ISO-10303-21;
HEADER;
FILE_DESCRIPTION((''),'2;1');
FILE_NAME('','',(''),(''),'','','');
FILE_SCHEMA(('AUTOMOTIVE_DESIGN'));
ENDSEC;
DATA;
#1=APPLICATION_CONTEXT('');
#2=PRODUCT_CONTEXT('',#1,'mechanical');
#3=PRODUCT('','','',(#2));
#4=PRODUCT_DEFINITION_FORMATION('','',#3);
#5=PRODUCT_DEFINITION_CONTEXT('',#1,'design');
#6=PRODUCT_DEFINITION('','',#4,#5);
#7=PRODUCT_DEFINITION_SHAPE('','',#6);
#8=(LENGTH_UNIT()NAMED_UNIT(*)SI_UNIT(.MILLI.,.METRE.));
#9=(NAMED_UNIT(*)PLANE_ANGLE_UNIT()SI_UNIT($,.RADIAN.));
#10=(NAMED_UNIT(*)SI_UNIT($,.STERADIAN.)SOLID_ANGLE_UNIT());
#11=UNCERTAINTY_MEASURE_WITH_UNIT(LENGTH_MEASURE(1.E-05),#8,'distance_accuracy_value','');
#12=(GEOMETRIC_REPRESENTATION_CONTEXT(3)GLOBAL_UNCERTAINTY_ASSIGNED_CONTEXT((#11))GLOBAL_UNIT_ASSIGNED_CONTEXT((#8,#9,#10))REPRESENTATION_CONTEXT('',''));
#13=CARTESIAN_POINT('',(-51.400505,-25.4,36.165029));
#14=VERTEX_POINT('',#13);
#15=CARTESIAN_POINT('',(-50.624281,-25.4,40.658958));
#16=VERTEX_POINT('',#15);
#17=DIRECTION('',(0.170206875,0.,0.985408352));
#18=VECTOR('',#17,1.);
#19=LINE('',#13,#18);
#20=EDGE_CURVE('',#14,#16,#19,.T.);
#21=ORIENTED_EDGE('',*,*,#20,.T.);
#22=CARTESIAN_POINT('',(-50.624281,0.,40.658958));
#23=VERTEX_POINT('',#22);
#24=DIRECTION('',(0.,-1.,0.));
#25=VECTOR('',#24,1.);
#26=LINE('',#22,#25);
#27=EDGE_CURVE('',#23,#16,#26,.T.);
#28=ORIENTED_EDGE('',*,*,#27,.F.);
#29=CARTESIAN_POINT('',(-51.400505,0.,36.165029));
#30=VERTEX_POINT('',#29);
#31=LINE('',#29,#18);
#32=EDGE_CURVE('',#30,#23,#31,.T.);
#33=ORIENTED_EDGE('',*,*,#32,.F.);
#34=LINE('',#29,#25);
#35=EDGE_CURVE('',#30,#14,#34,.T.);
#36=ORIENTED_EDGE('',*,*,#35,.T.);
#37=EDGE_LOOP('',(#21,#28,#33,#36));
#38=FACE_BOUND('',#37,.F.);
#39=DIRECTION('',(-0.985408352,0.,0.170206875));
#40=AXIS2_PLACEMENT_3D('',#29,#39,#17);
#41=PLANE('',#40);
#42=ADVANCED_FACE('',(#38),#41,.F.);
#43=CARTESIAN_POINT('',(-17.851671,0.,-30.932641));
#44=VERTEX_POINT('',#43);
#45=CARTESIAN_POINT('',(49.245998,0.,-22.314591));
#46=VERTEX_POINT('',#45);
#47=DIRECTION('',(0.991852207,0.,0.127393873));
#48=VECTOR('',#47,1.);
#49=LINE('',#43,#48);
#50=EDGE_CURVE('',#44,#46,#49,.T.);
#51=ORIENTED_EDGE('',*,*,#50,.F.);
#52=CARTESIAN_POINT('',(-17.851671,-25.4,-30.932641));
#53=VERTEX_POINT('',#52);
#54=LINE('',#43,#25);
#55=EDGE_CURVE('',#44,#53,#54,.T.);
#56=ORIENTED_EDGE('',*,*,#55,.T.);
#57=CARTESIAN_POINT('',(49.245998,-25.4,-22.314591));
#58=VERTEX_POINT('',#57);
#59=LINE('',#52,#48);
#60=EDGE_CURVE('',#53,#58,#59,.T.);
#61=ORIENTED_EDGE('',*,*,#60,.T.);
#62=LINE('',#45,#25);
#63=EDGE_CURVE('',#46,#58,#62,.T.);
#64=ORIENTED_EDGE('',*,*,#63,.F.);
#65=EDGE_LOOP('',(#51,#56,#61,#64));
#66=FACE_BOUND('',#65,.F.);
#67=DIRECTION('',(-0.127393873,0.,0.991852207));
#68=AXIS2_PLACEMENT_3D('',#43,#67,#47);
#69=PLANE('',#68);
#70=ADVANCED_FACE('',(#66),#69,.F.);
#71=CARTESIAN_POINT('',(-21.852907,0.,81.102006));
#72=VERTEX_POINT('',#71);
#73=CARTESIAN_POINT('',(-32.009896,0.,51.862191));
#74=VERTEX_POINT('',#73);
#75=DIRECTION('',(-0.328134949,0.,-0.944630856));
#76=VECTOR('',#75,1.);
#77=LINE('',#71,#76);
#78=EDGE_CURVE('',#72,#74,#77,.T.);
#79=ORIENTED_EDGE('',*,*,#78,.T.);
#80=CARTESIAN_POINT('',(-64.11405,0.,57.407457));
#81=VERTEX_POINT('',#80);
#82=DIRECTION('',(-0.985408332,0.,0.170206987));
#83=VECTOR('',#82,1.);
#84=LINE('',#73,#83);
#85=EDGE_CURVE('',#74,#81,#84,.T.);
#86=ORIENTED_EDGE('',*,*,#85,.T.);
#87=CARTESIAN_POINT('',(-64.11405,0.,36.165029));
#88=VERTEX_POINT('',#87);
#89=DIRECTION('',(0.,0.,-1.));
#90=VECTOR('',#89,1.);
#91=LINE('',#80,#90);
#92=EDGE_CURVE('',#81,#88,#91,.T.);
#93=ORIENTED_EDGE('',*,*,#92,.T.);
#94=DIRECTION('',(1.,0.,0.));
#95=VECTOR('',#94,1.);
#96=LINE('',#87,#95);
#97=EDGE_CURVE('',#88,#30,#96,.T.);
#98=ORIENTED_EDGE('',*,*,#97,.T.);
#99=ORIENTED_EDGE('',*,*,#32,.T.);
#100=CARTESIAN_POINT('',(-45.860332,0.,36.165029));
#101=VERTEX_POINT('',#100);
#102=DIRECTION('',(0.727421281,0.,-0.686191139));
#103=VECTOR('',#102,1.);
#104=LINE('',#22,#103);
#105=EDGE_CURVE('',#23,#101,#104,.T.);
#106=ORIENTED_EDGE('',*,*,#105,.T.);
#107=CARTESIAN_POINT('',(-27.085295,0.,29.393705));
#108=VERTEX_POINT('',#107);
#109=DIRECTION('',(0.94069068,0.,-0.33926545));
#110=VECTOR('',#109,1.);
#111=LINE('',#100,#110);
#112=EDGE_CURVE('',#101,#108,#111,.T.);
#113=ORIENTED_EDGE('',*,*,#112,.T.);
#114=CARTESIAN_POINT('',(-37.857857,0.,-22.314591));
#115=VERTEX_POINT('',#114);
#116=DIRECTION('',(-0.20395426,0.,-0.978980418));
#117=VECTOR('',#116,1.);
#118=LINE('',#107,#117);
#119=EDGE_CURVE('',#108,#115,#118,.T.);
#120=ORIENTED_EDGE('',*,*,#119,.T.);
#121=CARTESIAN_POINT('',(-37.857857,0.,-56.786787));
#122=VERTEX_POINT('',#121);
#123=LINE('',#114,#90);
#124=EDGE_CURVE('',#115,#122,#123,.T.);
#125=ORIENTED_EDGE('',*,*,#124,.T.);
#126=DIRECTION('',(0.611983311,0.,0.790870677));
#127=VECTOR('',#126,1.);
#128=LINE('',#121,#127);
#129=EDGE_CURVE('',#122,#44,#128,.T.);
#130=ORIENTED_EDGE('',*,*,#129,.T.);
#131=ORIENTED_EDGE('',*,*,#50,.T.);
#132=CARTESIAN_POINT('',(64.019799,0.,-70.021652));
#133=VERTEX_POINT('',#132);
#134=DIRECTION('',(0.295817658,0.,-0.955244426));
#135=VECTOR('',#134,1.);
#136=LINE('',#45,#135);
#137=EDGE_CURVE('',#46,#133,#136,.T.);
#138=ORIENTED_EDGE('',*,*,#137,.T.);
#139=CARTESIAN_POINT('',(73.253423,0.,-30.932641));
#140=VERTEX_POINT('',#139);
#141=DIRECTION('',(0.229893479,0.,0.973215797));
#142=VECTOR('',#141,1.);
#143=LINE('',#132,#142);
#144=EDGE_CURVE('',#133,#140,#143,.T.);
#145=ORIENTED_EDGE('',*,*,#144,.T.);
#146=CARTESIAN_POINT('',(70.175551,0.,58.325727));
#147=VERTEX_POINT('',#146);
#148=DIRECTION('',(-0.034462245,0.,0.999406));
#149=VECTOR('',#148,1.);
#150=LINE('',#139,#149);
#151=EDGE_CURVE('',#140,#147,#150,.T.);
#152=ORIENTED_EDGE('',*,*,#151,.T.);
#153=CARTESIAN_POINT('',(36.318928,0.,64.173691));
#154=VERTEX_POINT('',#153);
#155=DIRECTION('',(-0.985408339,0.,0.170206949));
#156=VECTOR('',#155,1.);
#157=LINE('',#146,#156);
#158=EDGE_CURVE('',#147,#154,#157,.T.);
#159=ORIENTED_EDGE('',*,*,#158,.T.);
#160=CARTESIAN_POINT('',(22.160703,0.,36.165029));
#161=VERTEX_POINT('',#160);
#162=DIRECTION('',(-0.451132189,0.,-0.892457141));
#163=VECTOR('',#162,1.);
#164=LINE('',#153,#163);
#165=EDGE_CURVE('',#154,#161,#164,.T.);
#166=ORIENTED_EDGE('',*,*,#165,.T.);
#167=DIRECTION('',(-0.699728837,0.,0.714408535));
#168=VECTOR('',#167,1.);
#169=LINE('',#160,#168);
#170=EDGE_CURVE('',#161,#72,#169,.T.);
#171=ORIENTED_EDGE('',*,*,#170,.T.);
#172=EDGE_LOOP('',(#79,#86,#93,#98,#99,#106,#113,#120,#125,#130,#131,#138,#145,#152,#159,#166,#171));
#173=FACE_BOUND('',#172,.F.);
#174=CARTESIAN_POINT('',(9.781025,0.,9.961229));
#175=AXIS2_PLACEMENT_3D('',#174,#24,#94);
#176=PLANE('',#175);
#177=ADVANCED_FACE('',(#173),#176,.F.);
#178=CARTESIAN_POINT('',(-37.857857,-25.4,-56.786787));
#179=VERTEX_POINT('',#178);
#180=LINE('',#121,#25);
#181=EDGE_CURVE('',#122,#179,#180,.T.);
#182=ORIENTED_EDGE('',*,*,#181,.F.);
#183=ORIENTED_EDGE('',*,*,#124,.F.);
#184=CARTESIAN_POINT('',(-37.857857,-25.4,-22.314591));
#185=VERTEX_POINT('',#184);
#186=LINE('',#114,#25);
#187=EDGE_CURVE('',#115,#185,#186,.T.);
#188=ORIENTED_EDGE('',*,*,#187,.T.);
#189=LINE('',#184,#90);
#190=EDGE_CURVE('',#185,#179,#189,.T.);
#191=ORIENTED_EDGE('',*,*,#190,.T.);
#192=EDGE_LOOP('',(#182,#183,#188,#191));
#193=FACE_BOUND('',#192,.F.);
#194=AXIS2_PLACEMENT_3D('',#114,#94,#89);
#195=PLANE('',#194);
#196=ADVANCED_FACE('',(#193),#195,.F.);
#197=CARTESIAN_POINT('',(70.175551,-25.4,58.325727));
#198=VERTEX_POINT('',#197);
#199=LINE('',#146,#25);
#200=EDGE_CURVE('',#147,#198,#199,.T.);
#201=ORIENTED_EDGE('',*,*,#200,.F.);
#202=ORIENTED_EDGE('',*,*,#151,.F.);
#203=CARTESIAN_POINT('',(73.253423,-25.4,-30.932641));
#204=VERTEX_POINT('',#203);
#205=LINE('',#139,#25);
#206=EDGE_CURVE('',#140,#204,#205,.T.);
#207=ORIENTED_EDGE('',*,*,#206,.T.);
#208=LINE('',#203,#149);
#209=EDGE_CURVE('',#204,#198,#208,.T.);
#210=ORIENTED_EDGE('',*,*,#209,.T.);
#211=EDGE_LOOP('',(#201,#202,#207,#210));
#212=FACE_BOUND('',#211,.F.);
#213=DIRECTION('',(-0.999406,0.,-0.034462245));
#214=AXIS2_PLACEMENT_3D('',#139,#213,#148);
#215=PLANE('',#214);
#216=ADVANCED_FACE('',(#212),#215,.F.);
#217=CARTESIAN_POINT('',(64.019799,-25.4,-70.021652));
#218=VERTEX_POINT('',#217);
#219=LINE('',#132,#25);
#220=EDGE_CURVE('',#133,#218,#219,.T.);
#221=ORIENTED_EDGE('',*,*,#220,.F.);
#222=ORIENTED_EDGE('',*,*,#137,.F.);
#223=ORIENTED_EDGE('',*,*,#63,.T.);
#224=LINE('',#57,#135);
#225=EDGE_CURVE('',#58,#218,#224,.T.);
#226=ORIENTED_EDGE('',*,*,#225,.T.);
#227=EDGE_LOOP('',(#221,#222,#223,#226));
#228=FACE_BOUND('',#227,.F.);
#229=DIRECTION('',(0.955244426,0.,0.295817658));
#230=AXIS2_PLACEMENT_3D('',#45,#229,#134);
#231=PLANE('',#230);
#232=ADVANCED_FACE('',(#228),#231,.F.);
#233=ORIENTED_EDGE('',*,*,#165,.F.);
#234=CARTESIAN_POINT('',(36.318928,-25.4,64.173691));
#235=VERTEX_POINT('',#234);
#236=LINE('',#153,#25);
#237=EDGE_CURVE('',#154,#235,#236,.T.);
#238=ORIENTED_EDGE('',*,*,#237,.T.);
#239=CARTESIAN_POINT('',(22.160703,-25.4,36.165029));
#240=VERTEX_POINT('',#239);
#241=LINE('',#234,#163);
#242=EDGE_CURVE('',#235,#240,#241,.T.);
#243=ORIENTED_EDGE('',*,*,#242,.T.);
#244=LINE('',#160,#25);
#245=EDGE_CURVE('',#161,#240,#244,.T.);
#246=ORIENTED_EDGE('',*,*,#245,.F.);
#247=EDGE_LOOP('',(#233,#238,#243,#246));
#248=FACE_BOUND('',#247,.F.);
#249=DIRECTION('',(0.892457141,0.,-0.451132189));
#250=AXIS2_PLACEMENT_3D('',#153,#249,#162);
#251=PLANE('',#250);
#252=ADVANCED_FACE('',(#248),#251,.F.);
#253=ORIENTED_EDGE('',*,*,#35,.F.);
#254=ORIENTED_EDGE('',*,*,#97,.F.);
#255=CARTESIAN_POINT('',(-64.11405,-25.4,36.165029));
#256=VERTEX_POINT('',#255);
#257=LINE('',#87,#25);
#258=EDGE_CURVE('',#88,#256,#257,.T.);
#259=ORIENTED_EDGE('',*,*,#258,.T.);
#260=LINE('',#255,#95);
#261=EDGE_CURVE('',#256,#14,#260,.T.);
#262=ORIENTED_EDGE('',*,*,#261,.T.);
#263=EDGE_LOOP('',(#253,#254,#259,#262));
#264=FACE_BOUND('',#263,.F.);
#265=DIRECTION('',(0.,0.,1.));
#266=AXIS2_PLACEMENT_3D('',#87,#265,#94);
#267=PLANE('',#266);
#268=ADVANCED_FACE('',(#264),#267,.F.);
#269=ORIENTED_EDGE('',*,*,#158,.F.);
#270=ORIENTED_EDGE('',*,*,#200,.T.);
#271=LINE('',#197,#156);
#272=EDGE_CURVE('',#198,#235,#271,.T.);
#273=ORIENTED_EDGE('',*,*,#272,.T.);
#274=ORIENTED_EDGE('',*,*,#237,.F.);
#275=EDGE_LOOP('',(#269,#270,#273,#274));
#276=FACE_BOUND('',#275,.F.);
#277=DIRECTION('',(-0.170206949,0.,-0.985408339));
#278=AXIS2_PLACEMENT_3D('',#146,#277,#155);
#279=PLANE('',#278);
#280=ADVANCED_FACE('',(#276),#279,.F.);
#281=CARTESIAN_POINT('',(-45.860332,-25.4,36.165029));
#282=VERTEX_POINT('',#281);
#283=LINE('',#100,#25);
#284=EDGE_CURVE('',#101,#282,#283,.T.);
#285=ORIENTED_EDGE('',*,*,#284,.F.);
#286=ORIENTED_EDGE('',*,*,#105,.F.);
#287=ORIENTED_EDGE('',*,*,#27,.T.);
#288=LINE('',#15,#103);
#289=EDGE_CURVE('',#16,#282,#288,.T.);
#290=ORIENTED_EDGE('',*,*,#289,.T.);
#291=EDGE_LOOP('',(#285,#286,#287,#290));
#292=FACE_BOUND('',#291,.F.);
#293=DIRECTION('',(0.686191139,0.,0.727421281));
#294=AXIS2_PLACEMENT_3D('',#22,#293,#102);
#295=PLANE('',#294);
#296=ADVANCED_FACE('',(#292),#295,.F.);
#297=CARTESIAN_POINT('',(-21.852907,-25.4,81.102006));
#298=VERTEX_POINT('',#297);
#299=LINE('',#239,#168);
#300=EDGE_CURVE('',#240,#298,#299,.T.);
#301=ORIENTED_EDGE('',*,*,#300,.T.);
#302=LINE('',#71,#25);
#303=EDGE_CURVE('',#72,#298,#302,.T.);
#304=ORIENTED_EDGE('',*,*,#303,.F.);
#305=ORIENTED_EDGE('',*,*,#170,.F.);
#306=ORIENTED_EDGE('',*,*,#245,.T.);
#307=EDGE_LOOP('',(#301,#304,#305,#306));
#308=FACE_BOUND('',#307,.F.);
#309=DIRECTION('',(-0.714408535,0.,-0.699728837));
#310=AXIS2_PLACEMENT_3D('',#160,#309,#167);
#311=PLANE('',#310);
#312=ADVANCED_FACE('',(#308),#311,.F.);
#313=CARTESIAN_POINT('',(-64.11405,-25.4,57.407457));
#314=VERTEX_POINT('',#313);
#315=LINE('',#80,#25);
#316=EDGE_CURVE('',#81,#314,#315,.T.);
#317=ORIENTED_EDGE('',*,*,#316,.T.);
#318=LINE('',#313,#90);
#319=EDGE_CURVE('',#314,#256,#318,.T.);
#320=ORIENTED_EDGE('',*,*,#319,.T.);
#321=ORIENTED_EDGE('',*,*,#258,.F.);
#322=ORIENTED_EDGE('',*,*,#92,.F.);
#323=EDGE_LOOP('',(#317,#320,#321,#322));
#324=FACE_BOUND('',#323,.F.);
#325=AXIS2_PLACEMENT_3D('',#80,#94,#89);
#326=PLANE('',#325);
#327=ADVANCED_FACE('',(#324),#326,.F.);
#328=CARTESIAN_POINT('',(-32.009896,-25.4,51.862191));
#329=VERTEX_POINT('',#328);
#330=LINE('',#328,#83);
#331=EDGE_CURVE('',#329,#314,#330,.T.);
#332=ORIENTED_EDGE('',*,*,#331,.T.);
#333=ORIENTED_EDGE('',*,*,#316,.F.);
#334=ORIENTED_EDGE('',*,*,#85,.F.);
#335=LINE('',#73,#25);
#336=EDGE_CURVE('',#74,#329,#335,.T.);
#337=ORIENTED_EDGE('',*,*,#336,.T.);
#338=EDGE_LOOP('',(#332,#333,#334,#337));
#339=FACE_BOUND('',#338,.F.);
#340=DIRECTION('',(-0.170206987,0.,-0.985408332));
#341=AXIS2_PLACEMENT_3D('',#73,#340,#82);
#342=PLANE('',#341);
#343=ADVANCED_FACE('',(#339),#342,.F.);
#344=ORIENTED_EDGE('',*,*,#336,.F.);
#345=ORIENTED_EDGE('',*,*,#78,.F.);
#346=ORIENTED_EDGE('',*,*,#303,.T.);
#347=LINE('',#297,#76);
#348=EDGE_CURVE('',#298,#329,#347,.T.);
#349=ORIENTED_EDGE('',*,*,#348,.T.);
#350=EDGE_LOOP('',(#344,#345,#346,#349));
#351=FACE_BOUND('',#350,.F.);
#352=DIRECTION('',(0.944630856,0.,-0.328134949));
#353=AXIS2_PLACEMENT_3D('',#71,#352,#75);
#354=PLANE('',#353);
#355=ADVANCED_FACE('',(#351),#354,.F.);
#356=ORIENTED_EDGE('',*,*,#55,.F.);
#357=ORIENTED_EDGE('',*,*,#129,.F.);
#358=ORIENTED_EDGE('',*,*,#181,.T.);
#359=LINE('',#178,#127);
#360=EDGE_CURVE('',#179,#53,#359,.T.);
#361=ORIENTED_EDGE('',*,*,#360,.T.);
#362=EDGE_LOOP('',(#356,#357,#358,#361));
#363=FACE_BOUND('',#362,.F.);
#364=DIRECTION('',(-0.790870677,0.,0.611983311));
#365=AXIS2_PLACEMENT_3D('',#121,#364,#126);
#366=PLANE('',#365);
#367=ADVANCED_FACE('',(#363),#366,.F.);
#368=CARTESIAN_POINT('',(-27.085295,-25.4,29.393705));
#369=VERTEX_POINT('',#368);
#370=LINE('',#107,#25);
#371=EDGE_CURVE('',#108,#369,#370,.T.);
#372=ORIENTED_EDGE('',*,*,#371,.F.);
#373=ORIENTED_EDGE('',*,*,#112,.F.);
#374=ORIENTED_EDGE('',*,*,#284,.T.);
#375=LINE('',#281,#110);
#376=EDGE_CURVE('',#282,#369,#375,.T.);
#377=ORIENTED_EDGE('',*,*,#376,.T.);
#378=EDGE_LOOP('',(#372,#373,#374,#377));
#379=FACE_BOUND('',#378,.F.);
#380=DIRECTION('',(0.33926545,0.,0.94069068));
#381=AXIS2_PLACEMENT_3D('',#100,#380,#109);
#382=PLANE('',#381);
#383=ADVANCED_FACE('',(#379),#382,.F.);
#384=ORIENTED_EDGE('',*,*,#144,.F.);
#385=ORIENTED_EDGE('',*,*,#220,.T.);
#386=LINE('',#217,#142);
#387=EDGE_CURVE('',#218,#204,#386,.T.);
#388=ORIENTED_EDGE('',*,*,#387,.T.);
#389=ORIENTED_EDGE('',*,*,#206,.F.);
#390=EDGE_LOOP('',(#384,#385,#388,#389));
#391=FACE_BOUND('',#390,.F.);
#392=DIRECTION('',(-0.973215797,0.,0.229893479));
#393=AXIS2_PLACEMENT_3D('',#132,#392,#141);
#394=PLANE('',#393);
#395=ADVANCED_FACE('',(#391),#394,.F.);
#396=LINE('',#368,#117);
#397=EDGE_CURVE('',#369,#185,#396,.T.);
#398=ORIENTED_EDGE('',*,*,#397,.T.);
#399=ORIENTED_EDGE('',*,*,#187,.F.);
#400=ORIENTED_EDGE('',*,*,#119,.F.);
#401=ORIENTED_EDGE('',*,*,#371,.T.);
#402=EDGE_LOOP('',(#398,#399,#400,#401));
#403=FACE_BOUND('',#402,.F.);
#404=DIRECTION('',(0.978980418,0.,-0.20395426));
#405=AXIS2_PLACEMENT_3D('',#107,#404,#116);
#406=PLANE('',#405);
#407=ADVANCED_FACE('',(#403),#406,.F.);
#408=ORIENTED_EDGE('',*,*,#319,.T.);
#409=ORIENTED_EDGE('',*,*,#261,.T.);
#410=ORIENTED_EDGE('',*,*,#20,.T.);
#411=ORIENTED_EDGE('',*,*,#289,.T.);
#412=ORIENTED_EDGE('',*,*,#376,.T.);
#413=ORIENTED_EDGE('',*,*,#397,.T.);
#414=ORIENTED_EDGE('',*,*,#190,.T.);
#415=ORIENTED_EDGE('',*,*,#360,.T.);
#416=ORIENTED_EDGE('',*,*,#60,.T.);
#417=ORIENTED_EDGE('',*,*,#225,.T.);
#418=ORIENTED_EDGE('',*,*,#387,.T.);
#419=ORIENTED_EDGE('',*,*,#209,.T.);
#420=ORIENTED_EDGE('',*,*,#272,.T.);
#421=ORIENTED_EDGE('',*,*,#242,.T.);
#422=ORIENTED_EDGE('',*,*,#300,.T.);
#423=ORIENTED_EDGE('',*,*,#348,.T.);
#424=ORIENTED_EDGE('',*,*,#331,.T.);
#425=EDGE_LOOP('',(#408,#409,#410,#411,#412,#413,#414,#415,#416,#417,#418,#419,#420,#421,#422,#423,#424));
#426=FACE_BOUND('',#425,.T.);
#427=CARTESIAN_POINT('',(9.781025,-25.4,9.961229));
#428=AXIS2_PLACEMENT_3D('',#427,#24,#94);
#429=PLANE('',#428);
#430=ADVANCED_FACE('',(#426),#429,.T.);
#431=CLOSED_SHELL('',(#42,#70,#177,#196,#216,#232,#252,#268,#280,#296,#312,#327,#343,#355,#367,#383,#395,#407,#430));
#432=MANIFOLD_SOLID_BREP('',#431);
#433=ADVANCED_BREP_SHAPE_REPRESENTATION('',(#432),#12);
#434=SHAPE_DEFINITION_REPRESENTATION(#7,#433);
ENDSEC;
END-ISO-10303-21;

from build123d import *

# Parameters (mm, degrees)
F1_DEPTH = 25.4


with BuildPart() as f1:
    # F0 (on Front) → F1 (new body)
    with BuildSketch(Plane.XZ):
        Polygon((-45.860332, 36.165029), (-27.085295, 29.393705), (-37.857857, -22.314591), (-37.857857, -56.786787), (-17.851671, -30.932641), (49.245998, -22.314591), (64.019799, -70.021652), (73.253423, -30.932641), (70.175551, 58.325727), (36.318928, 64.173691), (22.160703, 36.165029), (-21.852907, 81.102006), (-32.009896, 51.862191), (-64.11405, 57.407457), (-64.11405, 36.165029), (-51.400505, 36.165029), (-50.624281, 40.658958), align=None)
    extrude(amount=F1_DEPTH)


solid = f1.part
